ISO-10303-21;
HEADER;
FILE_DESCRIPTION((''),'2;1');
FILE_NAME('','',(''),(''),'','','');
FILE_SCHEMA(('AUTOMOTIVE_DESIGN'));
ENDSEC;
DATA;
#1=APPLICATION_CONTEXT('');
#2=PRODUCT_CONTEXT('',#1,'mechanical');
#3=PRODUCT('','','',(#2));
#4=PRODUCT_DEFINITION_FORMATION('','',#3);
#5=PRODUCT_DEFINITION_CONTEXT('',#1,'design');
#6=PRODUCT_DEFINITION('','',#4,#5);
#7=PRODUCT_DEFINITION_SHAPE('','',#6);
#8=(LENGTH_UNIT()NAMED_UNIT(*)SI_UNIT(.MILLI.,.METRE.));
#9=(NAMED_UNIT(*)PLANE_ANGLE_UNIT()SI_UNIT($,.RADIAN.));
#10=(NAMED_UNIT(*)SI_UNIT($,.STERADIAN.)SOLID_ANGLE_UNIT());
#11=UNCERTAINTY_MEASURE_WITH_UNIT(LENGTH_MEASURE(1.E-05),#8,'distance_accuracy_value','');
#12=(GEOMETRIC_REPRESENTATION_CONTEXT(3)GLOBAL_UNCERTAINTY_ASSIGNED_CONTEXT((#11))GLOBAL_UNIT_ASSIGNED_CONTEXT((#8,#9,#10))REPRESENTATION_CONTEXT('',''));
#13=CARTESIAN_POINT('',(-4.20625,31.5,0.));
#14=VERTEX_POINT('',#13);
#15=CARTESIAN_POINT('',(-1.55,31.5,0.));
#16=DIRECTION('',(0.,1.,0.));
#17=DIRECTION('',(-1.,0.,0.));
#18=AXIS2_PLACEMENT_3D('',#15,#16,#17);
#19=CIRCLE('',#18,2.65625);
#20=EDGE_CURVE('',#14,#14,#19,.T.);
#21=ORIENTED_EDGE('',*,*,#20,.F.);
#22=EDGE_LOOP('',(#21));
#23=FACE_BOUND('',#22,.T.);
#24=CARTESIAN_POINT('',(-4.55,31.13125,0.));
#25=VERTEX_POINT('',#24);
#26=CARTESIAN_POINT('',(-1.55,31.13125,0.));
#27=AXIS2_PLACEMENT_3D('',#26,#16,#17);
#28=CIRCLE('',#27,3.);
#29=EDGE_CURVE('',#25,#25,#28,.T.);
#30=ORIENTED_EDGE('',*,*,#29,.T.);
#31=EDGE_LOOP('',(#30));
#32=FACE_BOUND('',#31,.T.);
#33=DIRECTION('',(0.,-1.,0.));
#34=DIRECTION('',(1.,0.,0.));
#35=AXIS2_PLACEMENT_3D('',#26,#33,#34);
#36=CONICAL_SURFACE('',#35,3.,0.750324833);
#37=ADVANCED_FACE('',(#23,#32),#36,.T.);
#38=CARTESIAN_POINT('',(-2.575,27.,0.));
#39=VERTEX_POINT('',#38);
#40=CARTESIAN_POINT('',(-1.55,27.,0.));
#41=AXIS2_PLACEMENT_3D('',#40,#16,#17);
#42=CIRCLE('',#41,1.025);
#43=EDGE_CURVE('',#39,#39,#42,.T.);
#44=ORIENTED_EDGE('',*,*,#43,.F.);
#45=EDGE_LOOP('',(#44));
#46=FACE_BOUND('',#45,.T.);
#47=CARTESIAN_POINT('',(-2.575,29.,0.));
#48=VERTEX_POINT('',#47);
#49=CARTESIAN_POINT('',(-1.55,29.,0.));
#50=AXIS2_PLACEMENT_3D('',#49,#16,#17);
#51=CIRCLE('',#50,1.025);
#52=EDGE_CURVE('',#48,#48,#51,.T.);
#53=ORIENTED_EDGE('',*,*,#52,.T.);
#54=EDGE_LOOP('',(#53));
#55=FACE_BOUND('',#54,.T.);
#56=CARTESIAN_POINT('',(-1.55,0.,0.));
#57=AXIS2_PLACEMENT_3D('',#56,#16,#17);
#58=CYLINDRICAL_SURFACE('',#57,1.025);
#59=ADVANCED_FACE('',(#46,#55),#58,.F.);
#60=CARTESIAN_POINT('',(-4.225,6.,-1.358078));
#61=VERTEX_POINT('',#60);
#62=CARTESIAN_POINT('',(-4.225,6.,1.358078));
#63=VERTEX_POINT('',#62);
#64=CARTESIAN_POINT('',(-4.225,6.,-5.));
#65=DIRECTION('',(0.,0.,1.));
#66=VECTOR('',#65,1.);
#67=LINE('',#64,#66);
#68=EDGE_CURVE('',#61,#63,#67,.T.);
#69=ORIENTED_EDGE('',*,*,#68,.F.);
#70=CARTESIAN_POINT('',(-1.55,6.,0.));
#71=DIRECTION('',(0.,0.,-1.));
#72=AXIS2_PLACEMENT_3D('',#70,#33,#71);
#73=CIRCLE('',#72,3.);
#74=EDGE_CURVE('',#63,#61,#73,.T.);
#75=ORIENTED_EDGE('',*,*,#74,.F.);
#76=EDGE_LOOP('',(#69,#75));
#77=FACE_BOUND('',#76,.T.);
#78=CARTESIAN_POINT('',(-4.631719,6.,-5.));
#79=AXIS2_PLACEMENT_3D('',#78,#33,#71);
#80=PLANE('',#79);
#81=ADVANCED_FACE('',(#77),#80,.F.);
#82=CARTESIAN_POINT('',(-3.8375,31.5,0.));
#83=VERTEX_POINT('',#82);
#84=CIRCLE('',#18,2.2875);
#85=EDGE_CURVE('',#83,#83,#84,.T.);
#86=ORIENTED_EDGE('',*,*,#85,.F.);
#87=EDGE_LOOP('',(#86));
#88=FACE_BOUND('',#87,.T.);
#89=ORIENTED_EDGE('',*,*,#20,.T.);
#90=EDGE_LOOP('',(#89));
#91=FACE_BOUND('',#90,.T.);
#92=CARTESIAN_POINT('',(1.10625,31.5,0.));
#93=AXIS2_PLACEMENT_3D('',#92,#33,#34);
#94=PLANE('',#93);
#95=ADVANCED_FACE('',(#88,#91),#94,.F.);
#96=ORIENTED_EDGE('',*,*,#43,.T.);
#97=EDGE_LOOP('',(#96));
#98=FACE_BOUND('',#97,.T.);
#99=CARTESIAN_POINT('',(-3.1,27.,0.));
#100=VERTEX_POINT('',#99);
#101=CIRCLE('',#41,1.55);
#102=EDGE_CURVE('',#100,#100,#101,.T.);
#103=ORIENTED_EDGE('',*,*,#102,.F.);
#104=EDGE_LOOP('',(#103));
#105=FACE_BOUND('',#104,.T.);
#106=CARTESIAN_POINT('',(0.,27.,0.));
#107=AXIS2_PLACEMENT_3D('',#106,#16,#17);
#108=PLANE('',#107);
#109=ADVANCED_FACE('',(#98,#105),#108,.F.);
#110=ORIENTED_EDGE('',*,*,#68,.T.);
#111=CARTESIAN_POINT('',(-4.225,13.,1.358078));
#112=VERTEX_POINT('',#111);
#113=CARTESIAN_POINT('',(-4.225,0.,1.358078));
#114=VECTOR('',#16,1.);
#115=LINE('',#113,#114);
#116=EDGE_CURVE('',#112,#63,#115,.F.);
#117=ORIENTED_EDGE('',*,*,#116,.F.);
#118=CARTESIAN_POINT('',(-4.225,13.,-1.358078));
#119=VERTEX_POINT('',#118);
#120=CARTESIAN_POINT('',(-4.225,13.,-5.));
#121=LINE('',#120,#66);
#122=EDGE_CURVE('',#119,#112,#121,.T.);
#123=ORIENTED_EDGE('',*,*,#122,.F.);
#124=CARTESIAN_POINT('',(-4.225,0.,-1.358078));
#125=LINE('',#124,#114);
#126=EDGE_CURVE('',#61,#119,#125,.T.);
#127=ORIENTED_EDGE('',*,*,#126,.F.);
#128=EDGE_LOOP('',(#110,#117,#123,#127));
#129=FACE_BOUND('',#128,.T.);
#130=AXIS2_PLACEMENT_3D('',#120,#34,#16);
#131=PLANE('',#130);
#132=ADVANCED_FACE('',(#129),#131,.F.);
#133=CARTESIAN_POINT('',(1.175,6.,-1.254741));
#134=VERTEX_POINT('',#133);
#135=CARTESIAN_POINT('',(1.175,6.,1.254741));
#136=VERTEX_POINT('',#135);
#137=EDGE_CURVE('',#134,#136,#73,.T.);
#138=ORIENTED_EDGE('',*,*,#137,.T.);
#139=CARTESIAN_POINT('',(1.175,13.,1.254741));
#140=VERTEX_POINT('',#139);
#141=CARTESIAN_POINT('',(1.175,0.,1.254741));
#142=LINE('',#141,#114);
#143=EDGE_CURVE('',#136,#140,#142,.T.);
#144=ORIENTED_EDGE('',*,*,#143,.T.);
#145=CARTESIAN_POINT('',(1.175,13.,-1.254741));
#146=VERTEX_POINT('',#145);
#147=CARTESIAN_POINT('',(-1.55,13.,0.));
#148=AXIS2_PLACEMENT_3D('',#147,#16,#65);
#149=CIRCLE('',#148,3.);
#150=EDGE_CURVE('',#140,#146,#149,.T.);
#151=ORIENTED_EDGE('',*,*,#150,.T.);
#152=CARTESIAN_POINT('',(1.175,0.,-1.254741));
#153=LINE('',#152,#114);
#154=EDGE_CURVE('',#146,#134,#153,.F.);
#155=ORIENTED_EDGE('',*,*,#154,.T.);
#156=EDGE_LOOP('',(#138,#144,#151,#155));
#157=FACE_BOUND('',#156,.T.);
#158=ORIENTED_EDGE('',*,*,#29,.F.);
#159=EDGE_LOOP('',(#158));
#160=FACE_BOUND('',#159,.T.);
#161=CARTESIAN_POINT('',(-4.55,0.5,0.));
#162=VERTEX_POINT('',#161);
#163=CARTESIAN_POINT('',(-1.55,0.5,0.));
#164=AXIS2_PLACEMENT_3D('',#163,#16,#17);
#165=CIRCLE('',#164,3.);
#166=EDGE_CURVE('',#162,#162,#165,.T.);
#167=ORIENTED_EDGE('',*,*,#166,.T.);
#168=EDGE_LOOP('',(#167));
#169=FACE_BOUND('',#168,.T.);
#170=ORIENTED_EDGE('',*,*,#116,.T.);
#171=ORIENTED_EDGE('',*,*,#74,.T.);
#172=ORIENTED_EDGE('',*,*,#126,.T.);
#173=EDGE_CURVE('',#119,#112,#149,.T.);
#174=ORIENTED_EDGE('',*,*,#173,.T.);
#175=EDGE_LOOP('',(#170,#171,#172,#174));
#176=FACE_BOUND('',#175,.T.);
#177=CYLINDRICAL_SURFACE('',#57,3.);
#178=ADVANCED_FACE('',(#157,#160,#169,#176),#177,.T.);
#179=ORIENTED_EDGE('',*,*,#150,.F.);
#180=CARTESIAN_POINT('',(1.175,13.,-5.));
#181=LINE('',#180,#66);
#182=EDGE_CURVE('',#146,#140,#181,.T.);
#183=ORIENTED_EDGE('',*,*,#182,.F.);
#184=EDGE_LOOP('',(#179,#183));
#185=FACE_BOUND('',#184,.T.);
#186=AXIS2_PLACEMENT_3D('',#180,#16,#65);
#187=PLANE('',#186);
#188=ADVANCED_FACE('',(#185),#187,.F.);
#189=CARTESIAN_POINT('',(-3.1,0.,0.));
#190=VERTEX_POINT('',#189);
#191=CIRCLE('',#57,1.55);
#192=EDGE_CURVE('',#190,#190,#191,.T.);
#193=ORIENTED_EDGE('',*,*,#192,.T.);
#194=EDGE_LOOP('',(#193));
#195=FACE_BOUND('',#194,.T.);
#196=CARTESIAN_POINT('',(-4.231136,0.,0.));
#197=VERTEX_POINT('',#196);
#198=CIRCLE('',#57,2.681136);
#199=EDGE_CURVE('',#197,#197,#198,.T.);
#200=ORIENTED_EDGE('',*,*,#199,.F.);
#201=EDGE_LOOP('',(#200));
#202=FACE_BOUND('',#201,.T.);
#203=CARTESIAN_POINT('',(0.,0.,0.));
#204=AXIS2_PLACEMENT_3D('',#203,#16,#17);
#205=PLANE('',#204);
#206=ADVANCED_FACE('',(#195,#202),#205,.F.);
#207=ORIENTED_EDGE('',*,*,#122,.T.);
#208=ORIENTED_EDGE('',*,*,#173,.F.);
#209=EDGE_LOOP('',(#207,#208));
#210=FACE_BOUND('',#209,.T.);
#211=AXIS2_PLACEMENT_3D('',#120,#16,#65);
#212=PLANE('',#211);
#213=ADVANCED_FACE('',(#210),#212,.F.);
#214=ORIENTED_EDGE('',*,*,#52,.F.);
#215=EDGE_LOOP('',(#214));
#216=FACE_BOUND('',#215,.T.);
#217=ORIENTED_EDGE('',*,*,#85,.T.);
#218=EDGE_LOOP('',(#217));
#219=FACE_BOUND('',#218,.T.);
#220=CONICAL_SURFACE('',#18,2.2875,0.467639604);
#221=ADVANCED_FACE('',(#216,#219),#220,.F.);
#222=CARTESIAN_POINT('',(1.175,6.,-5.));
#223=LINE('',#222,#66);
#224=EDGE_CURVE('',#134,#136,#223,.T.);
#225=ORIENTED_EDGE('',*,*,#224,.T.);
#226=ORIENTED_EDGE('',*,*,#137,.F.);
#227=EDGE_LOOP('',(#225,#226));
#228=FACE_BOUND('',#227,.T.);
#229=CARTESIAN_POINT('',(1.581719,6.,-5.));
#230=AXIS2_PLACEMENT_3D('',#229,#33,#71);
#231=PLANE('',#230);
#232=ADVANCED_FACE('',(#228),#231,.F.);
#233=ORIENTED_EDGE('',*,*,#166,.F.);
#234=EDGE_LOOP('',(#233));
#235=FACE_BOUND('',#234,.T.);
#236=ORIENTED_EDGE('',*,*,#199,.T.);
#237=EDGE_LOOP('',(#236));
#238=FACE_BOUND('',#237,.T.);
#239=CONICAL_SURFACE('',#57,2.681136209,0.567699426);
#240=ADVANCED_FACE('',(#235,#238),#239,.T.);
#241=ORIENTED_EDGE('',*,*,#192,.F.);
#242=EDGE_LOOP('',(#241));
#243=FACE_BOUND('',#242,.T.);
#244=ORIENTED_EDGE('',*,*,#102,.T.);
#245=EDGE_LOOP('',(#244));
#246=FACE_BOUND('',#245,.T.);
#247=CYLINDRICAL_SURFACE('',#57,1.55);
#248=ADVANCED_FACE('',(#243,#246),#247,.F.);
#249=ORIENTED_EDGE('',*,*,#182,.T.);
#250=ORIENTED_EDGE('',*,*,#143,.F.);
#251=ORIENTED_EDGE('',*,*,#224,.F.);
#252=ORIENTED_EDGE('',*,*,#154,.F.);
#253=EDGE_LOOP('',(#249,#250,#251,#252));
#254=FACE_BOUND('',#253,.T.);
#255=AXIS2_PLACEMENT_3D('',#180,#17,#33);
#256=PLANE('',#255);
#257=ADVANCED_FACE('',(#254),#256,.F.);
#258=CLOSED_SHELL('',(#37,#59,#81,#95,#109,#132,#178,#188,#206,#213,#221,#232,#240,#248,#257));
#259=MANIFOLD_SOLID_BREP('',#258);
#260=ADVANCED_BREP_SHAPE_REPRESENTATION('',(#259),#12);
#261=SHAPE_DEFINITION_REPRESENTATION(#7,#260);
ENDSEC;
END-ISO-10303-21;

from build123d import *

# Parameters (mm, degrees)
SKETCH_2_W          = 0.406719167
SKETCH_2_H          = 7
CUT_EXTRUDE_1_DEPTH = 5


with BuildPart() as part:
    # 草图1 → 旋转1 (revolve)
    with BuildSketch(Plane.XY):
        Polygon((0, 0), (1.131136209, 0), (1.45, 0.5), (1.45, 31.13125), (1.10625, 31.5), (0.7375, 31.5), (-0.525, 29), (-0.525, 27), (0, 27), align=None)
    revolve(axis=Axis((-1.55, 0, 0), (0, -1, 0)))

    # 草图2 → 切除-拉伸1 (cut, symmetric)
    with BuildSketch(Plane.XY):
        with Locations((-4.428359584, 9.5)):
            Rectangle(SKETCH_2_W, SKETCH_2_H)
        with Locations((1.378359583, 9.5)):
            Rectangle(SKETCH_2_W, SKETCH_2_H)
    extrude(amount=CUT_EXTRUDE_1_DEPTH, both=True, mode=Mode.SUBTRACT)


solid = part.part
